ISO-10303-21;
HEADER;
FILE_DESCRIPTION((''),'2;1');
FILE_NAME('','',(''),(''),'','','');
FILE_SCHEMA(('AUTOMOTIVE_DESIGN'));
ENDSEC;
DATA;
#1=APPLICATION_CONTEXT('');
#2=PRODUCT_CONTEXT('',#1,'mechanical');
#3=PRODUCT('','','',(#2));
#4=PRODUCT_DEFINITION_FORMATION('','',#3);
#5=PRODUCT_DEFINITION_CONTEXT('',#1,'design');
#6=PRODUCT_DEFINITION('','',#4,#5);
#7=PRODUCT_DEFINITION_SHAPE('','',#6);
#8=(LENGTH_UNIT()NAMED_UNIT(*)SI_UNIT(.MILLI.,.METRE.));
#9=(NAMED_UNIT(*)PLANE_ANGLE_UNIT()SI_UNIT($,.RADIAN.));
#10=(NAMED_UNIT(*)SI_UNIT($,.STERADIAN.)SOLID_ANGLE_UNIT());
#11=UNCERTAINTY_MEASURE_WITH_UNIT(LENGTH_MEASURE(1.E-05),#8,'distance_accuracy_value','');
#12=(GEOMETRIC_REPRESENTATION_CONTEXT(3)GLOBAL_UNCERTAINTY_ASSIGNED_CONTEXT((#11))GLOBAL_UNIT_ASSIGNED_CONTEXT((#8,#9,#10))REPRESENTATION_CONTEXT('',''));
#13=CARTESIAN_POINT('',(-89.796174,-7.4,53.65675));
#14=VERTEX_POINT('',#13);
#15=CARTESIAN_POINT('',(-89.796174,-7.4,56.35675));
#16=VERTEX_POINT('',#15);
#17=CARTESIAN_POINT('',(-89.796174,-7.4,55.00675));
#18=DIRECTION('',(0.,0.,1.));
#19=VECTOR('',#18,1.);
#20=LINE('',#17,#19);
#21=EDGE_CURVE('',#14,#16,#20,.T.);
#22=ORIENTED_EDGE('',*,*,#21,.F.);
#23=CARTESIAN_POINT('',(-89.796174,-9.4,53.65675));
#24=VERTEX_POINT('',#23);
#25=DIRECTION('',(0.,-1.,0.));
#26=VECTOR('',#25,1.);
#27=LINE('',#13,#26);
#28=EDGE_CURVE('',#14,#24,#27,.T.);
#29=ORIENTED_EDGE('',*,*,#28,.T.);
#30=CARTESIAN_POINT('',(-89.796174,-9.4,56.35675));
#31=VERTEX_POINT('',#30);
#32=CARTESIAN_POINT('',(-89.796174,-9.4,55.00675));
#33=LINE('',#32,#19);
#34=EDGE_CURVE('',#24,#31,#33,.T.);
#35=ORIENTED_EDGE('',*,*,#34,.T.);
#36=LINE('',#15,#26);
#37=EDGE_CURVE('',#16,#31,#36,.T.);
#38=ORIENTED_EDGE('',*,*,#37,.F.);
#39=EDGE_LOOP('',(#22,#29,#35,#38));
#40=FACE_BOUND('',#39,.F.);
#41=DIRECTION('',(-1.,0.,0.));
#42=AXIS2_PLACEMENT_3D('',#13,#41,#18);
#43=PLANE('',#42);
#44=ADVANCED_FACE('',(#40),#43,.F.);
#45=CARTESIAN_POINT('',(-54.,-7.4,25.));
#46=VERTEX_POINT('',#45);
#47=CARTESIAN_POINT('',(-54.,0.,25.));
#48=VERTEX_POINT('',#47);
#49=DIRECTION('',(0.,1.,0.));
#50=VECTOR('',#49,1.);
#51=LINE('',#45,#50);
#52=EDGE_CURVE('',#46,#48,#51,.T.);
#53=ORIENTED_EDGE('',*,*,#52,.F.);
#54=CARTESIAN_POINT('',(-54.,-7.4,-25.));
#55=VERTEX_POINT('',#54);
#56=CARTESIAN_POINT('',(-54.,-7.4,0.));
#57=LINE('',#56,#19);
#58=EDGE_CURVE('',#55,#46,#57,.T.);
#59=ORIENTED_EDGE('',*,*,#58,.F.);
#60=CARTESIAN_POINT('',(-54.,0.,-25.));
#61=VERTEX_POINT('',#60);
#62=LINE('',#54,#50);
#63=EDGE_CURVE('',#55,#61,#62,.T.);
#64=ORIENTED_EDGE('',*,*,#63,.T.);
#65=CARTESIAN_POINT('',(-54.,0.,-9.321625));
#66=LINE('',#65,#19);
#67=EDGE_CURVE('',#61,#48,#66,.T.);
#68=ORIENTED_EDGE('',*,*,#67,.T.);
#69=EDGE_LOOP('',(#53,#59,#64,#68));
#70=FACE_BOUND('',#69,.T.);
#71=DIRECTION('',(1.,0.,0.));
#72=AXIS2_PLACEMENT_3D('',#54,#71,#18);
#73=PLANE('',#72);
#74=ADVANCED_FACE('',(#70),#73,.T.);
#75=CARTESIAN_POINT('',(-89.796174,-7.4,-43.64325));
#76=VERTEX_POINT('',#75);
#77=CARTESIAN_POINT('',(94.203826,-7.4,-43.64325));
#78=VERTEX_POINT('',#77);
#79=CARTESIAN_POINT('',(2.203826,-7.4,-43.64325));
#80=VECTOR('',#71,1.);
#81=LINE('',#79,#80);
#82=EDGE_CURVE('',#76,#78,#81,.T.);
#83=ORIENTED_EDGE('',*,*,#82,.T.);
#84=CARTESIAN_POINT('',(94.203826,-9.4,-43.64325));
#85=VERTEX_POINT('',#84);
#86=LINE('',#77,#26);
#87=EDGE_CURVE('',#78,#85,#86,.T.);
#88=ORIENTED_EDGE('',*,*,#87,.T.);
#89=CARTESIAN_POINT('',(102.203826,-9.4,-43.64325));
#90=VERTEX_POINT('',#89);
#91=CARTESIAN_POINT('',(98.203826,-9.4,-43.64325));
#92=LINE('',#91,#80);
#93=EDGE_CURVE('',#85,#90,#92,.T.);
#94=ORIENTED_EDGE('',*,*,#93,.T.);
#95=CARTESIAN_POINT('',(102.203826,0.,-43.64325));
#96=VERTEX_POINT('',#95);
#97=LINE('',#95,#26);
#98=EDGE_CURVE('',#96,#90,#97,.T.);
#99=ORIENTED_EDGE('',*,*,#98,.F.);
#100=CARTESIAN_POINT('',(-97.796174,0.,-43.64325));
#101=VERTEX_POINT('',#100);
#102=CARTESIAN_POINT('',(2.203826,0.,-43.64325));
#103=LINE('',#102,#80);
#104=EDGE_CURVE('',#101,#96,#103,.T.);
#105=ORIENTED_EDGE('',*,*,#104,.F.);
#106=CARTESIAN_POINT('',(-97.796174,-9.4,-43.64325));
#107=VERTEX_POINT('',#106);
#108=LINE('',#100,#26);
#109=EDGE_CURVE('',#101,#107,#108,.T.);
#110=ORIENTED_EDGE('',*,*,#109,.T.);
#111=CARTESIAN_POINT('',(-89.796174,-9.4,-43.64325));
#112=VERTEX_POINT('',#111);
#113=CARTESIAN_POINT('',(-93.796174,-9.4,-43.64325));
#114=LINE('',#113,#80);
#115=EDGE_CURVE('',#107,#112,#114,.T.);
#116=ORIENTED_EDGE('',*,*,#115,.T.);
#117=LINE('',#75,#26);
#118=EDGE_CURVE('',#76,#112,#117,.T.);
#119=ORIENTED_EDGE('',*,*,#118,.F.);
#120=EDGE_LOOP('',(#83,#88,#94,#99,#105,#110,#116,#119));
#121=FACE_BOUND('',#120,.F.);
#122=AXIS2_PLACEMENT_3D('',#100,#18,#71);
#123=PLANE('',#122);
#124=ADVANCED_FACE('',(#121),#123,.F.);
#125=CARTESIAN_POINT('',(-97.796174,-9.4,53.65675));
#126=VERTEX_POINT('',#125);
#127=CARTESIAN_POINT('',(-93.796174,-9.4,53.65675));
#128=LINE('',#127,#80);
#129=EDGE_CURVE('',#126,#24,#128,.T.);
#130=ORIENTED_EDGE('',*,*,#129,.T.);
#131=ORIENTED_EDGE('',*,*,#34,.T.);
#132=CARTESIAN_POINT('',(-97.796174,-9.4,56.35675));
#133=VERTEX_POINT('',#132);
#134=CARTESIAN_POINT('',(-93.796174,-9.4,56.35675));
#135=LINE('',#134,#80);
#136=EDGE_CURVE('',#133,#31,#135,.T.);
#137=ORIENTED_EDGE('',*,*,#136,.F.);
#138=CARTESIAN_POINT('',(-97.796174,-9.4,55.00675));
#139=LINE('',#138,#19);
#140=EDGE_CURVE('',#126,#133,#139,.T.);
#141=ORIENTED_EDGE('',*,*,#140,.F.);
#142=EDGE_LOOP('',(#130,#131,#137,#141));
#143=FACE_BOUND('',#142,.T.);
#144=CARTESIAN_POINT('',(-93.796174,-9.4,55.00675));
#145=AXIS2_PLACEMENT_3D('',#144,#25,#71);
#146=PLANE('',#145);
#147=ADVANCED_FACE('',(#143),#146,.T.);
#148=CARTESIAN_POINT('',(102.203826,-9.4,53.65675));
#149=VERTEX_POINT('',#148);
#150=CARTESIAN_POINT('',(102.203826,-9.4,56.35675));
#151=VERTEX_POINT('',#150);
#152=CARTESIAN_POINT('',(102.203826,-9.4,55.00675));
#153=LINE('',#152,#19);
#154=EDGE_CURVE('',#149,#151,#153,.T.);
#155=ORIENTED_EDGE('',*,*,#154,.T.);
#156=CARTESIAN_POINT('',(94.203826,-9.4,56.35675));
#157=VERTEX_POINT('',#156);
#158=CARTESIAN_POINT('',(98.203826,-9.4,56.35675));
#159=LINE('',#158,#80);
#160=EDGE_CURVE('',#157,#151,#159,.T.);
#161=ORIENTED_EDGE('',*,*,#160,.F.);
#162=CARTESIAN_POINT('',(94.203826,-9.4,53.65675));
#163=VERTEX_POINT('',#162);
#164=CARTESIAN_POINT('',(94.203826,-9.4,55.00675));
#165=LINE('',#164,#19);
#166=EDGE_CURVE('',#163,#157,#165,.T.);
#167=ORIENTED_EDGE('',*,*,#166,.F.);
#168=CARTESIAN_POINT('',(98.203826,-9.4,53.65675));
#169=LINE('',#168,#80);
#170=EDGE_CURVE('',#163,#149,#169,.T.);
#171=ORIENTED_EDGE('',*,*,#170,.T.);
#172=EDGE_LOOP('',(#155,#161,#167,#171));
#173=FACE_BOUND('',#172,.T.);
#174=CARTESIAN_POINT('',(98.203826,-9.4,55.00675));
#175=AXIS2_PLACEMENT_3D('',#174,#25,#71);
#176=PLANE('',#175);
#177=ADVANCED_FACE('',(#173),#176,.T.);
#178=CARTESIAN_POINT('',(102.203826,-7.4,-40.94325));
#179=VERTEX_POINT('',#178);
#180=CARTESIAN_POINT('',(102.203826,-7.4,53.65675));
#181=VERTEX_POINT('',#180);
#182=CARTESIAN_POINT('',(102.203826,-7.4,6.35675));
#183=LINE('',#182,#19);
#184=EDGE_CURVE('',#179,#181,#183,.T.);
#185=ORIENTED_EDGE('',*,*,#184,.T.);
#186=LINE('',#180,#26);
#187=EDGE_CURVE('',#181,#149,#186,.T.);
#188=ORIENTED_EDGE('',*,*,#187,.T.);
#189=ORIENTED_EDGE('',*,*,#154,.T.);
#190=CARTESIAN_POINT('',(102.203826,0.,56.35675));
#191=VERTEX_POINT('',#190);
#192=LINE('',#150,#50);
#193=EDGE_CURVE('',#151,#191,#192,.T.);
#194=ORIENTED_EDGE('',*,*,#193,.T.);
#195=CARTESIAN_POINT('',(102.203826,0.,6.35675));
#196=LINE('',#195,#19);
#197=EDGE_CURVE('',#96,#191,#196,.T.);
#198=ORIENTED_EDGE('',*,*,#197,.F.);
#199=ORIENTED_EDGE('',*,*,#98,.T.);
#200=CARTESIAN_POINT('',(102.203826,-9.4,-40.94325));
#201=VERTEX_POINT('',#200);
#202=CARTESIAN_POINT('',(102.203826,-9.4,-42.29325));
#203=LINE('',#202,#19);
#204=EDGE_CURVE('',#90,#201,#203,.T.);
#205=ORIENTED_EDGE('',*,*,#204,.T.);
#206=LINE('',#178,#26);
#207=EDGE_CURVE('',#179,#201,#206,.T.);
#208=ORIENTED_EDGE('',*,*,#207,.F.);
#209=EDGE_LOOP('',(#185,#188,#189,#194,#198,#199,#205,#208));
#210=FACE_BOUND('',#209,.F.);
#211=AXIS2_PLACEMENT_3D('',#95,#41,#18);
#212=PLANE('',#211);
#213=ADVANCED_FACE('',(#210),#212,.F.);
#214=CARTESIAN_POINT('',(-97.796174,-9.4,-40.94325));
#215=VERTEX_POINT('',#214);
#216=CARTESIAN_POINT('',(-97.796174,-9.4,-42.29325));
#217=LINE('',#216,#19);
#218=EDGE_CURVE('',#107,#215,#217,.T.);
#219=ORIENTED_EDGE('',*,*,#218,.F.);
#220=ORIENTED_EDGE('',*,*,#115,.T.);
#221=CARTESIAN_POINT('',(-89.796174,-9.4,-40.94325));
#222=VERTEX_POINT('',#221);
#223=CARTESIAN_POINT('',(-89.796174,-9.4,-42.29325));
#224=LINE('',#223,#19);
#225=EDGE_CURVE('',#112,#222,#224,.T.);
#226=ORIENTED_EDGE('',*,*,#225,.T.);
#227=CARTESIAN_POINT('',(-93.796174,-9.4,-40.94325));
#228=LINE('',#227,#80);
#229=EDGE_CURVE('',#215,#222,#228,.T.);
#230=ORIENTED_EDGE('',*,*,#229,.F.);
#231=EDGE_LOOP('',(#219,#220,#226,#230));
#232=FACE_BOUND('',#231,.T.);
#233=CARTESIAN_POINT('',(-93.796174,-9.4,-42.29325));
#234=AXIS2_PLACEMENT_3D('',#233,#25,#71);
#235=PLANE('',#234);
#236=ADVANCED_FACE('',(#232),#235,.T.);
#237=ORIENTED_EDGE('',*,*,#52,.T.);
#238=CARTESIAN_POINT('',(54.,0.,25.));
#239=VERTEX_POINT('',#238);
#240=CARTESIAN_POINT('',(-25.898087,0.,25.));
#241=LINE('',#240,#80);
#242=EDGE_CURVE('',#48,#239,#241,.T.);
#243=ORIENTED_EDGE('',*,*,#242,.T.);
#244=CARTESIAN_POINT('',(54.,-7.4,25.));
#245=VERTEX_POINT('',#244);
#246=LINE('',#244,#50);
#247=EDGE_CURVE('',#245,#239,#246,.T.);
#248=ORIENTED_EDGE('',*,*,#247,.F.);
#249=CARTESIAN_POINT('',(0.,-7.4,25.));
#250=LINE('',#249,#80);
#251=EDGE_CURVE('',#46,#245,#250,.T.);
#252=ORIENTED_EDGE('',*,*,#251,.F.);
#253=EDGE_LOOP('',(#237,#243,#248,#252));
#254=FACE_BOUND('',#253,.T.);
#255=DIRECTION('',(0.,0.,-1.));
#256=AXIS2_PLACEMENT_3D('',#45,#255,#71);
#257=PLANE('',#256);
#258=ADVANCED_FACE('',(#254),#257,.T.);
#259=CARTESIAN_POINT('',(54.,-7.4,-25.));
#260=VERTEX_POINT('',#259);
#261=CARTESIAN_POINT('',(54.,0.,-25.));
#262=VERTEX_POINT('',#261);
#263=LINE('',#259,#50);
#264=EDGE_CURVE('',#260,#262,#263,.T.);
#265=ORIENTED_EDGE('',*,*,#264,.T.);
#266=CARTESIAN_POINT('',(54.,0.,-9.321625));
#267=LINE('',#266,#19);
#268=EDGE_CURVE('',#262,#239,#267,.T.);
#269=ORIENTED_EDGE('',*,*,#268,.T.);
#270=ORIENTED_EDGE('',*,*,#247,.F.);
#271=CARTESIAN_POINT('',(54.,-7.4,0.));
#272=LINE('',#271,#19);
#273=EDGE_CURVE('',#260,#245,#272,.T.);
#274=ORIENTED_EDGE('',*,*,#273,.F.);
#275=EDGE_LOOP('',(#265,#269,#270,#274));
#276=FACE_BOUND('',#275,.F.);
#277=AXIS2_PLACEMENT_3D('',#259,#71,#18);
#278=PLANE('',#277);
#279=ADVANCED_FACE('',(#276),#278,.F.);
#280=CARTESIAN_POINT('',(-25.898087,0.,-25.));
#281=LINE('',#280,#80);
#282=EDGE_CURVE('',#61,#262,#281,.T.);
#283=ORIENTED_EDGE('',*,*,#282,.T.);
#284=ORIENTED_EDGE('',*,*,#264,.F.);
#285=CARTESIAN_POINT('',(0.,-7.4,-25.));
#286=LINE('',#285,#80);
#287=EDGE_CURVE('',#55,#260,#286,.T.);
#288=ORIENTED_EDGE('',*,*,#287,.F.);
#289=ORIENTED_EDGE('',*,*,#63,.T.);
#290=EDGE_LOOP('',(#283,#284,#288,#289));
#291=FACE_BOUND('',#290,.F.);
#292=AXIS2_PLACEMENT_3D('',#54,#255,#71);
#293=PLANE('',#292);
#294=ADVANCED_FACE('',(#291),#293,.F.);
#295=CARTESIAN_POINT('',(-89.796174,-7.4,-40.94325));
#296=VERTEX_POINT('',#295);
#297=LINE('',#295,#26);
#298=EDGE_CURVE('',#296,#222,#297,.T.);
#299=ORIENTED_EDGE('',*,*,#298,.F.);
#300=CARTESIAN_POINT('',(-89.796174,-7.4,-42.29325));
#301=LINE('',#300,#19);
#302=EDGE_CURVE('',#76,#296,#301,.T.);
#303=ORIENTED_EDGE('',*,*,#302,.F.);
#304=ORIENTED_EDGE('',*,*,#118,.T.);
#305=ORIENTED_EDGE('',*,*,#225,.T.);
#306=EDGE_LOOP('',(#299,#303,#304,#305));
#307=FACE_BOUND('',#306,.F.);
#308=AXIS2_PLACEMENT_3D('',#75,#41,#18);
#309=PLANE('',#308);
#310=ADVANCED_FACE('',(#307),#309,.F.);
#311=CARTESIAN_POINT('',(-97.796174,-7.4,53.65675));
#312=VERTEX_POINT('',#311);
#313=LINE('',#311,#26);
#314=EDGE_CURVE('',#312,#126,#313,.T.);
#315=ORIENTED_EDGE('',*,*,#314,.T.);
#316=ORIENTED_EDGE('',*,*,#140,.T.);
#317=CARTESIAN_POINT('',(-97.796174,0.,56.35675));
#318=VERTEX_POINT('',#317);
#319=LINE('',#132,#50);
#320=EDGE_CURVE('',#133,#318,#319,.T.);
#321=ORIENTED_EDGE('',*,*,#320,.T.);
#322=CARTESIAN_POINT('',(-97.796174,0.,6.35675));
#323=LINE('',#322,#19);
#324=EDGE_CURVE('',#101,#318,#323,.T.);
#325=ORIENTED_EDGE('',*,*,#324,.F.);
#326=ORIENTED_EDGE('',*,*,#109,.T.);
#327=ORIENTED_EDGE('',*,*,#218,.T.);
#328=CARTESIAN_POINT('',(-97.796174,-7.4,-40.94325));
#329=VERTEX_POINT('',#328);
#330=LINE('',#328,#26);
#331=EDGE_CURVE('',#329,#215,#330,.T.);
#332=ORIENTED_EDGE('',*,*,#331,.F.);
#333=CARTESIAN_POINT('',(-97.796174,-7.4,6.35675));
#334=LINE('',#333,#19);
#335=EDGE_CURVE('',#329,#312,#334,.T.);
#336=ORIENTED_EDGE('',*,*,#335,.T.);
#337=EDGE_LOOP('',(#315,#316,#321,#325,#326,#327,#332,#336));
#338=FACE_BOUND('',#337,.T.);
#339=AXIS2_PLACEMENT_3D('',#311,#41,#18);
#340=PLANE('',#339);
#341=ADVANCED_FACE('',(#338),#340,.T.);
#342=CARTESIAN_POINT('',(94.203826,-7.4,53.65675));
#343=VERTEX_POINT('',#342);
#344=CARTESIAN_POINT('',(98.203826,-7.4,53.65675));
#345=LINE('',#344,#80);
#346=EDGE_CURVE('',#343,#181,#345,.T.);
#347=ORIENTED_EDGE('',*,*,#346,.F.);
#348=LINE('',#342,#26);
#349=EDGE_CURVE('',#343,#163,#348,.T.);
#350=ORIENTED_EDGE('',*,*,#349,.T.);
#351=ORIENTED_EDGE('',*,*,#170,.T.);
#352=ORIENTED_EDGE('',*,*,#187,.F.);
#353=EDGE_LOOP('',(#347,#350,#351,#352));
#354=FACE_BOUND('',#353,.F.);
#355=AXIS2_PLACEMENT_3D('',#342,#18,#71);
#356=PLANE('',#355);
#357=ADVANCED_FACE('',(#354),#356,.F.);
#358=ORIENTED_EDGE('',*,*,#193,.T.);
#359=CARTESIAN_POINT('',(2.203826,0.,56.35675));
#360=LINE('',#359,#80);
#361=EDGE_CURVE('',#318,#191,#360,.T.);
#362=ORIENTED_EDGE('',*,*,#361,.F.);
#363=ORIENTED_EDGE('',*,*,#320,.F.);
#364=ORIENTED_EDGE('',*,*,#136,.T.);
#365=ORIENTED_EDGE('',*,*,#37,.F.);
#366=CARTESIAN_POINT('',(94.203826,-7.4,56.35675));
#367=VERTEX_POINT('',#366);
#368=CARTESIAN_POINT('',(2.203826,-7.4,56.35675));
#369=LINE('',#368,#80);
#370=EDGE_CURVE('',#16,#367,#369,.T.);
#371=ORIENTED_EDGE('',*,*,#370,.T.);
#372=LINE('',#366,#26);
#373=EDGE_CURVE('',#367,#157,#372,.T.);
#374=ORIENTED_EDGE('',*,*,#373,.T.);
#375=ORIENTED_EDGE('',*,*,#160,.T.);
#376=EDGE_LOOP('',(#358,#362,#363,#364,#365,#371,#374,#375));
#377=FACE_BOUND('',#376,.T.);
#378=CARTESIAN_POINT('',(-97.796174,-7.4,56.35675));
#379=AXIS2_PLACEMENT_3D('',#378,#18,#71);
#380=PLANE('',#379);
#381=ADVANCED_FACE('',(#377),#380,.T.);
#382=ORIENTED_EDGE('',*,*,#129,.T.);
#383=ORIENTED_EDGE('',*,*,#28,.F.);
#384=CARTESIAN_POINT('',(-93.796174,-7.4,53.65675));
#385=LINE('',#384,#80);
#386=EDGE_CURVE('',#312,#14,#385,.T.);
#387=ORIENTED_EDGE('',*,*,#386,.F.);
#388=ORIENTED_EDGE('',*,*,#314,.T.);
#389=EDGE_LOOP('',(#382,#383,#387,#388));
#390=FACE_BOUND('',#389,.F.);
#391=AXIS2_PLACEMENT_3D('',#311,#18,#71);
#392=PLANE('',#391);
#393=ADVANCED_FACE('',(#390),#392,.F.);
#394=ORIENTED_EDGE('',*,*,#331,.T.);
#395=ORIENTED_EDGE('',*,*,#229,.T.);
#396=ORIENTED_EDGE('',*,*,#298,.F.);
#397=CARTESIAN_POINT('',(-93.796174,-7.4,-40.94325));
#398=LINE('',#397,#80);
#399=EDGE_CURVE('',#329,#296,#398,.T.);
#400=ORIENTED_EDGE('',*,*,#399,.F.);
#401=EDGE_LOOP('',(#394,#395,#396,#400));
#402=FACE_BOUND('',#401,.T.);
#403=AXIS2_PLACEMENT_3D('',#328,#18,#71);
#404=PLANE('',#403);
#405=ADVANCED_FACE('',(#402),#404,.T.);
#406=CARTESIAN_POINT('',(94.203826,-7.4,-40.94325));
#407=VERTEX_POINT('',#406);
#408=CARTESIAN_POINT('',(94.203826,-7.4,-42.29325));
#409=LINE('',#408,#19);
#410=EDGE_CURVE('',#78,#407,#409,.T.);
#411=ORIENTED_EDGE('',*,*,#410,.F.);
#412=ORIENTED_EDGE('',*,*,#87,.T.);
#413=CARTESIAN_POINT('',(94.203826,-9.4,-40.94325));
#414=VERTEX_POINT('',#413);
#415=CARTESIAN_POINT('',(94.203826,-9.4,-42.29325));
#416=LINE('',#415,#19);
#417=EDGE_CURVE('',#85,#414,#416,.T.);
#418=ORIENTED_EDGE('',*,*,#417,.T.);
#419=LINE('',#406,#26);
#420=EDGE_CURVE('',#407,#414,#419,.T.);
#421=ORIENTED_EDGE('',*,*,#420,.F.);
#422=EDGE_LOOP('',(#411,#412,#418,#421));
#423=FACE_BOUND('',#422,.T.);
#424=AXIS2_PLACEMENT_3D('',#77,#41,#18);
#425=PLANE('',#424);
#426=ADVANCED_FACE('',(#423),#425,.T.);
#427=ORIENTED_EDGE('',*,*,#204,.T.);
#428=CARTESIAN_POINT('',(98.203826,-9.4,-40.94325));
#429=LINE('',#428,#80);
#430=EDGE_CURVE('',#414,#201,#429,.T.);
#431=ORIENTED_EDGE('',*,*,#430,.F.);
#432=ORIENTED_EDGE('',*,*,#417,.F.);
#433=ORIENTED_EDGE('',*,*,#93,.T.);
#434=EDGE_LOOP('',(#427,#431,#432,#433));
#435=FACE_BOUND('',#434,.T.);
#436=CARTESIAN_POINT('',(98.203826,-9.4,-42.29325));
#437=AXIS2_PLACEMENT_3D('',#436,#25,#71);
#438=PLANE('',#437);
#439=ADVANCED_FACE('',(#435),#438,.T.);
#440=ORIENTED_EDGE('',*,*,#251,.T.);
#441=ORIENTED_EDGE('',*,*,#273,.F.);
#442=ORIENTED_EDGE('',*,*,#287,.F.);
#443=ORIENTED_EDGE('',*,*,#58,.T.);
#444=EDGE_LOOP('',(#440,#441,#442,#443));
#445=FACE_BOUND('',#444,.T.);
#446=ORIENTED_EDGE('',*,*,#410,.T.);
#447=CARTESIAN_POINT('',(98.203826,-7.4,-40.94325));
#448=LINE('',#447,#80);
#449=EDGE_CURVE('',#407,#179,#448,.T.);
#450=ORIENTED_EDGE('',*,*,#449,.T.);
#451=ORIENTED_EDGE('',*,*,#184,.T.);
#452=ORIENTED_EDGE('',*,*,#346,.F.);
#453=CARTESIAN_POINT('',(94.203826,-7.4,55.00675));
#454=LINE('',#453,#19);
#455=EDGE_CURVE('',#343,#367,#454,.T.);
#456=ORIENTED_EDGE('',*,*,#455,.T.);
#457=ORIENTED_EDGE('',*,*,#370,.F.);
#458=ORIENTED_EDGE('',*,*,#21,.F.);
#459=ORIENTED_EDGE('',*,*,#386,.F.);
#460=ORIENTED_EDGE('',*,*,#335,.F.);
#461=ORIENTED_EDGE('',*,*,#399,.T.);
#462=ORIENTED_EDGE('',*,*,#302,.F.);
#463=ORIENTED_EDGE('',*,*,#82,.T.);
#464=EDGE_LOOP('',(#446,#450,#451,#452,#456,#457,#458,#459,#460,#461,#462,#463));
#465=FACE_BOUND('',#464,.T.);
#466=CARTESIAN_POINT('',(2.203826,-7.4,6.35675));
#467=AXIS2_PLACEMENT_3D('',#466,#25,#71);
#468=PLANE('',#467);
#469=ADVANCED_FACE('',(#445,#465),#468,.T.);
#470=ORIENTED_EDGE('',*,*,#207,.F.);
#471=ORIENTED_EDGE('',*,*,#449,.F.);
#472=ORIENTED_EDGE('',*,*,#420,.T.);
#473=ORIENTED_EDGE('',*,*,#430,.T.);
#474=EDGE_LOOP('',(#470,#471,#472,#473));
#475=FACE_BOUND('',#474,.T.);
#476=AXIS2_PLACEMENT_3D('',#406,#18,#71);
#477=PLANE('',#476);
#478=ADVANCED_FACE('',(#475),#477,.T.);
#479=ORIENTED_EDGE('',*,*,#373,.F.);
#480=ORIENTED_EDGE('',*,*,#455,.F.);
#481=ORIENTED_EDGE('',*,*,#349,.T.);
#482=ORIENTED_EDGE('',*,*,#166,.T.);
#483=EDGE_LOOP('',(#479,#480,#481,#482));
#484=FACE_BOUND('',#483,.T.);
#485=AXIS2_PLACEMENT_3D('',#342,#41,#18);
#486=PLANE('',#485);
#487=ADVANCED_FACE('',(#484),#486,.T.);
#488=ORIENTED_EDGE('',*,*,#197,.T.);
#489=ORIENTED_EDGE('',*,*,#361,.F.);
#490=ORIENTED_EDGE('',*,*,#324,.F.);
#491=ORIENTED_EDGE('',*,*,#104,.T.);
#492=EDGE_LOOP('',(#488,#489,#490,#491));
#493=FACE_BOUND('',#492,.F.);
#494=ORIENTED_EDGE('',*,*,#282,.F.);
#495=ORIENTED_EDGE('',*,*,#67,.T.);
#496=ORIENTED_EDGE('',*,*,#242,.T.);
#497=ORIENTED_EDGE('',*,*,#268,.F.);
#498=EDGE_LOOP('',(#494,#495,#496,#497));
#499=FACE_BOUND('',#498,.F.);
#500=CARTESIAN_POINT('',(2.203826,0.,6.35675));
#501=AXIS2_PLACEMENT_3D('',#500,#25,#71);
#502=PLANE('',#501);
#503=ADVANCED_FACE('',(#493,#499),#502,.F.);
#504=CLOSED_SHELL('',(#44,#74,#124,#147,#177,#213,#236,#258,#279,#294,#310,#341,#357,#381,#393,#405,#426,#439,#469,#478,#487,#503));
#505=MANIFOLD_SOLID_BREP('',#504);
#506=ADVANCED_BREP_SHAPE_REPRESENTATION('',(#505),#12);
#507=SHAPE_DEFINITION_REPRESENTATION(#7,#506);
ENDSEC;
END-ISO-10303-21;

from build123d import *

# Parameters (mm, degrees)
F0_W     = 200
F0_H     = 100
F1_DEPTH = 7.4
F2_W     = 8
F2_H     = 2.7
F3_DEPTH = 2
F4_W     = 108
F4_H     = 50
F5_DEPTH = 7.401


with BuildPart() as f1:
    # F0 (on Front) → F1 (new body)
    with BuildSketch(Plane.XZ):
        with Locations((2.203826, 6.35675)):
            Rectangle(F0_W, F0_H)
    extrude(amount=F1_DEPTH)

    # F2 (on face) → F3 (join)
    with BuildSketch(Plane.XZ.offset(7.4)):
        with Locations((-93.796174, 55.00675)):
            Rectangle(F2_W, F2_H)
        with Locations((98.203826, 55.00675)):
            Rectangle(F2_W, F2_H)
        with Locations((98.203826, -42.29325)):
            Rectangle(F2_W, F2_H)
        with Locations((-93.796174, -42.29325)):
            Rectangle(F2_W, F2_H)
    extrude(amount=F3_DEPTH)

    # F4 (on face) → F5 (cut, through all)
    with BuildSketch(Plane.XZ.offset(7.4)):
        Rectangle(F4_W, F4_H)
    extrude(amount=-F5_DEPTH, mode=Mode.SUBTRACT)


solid = f1.part
